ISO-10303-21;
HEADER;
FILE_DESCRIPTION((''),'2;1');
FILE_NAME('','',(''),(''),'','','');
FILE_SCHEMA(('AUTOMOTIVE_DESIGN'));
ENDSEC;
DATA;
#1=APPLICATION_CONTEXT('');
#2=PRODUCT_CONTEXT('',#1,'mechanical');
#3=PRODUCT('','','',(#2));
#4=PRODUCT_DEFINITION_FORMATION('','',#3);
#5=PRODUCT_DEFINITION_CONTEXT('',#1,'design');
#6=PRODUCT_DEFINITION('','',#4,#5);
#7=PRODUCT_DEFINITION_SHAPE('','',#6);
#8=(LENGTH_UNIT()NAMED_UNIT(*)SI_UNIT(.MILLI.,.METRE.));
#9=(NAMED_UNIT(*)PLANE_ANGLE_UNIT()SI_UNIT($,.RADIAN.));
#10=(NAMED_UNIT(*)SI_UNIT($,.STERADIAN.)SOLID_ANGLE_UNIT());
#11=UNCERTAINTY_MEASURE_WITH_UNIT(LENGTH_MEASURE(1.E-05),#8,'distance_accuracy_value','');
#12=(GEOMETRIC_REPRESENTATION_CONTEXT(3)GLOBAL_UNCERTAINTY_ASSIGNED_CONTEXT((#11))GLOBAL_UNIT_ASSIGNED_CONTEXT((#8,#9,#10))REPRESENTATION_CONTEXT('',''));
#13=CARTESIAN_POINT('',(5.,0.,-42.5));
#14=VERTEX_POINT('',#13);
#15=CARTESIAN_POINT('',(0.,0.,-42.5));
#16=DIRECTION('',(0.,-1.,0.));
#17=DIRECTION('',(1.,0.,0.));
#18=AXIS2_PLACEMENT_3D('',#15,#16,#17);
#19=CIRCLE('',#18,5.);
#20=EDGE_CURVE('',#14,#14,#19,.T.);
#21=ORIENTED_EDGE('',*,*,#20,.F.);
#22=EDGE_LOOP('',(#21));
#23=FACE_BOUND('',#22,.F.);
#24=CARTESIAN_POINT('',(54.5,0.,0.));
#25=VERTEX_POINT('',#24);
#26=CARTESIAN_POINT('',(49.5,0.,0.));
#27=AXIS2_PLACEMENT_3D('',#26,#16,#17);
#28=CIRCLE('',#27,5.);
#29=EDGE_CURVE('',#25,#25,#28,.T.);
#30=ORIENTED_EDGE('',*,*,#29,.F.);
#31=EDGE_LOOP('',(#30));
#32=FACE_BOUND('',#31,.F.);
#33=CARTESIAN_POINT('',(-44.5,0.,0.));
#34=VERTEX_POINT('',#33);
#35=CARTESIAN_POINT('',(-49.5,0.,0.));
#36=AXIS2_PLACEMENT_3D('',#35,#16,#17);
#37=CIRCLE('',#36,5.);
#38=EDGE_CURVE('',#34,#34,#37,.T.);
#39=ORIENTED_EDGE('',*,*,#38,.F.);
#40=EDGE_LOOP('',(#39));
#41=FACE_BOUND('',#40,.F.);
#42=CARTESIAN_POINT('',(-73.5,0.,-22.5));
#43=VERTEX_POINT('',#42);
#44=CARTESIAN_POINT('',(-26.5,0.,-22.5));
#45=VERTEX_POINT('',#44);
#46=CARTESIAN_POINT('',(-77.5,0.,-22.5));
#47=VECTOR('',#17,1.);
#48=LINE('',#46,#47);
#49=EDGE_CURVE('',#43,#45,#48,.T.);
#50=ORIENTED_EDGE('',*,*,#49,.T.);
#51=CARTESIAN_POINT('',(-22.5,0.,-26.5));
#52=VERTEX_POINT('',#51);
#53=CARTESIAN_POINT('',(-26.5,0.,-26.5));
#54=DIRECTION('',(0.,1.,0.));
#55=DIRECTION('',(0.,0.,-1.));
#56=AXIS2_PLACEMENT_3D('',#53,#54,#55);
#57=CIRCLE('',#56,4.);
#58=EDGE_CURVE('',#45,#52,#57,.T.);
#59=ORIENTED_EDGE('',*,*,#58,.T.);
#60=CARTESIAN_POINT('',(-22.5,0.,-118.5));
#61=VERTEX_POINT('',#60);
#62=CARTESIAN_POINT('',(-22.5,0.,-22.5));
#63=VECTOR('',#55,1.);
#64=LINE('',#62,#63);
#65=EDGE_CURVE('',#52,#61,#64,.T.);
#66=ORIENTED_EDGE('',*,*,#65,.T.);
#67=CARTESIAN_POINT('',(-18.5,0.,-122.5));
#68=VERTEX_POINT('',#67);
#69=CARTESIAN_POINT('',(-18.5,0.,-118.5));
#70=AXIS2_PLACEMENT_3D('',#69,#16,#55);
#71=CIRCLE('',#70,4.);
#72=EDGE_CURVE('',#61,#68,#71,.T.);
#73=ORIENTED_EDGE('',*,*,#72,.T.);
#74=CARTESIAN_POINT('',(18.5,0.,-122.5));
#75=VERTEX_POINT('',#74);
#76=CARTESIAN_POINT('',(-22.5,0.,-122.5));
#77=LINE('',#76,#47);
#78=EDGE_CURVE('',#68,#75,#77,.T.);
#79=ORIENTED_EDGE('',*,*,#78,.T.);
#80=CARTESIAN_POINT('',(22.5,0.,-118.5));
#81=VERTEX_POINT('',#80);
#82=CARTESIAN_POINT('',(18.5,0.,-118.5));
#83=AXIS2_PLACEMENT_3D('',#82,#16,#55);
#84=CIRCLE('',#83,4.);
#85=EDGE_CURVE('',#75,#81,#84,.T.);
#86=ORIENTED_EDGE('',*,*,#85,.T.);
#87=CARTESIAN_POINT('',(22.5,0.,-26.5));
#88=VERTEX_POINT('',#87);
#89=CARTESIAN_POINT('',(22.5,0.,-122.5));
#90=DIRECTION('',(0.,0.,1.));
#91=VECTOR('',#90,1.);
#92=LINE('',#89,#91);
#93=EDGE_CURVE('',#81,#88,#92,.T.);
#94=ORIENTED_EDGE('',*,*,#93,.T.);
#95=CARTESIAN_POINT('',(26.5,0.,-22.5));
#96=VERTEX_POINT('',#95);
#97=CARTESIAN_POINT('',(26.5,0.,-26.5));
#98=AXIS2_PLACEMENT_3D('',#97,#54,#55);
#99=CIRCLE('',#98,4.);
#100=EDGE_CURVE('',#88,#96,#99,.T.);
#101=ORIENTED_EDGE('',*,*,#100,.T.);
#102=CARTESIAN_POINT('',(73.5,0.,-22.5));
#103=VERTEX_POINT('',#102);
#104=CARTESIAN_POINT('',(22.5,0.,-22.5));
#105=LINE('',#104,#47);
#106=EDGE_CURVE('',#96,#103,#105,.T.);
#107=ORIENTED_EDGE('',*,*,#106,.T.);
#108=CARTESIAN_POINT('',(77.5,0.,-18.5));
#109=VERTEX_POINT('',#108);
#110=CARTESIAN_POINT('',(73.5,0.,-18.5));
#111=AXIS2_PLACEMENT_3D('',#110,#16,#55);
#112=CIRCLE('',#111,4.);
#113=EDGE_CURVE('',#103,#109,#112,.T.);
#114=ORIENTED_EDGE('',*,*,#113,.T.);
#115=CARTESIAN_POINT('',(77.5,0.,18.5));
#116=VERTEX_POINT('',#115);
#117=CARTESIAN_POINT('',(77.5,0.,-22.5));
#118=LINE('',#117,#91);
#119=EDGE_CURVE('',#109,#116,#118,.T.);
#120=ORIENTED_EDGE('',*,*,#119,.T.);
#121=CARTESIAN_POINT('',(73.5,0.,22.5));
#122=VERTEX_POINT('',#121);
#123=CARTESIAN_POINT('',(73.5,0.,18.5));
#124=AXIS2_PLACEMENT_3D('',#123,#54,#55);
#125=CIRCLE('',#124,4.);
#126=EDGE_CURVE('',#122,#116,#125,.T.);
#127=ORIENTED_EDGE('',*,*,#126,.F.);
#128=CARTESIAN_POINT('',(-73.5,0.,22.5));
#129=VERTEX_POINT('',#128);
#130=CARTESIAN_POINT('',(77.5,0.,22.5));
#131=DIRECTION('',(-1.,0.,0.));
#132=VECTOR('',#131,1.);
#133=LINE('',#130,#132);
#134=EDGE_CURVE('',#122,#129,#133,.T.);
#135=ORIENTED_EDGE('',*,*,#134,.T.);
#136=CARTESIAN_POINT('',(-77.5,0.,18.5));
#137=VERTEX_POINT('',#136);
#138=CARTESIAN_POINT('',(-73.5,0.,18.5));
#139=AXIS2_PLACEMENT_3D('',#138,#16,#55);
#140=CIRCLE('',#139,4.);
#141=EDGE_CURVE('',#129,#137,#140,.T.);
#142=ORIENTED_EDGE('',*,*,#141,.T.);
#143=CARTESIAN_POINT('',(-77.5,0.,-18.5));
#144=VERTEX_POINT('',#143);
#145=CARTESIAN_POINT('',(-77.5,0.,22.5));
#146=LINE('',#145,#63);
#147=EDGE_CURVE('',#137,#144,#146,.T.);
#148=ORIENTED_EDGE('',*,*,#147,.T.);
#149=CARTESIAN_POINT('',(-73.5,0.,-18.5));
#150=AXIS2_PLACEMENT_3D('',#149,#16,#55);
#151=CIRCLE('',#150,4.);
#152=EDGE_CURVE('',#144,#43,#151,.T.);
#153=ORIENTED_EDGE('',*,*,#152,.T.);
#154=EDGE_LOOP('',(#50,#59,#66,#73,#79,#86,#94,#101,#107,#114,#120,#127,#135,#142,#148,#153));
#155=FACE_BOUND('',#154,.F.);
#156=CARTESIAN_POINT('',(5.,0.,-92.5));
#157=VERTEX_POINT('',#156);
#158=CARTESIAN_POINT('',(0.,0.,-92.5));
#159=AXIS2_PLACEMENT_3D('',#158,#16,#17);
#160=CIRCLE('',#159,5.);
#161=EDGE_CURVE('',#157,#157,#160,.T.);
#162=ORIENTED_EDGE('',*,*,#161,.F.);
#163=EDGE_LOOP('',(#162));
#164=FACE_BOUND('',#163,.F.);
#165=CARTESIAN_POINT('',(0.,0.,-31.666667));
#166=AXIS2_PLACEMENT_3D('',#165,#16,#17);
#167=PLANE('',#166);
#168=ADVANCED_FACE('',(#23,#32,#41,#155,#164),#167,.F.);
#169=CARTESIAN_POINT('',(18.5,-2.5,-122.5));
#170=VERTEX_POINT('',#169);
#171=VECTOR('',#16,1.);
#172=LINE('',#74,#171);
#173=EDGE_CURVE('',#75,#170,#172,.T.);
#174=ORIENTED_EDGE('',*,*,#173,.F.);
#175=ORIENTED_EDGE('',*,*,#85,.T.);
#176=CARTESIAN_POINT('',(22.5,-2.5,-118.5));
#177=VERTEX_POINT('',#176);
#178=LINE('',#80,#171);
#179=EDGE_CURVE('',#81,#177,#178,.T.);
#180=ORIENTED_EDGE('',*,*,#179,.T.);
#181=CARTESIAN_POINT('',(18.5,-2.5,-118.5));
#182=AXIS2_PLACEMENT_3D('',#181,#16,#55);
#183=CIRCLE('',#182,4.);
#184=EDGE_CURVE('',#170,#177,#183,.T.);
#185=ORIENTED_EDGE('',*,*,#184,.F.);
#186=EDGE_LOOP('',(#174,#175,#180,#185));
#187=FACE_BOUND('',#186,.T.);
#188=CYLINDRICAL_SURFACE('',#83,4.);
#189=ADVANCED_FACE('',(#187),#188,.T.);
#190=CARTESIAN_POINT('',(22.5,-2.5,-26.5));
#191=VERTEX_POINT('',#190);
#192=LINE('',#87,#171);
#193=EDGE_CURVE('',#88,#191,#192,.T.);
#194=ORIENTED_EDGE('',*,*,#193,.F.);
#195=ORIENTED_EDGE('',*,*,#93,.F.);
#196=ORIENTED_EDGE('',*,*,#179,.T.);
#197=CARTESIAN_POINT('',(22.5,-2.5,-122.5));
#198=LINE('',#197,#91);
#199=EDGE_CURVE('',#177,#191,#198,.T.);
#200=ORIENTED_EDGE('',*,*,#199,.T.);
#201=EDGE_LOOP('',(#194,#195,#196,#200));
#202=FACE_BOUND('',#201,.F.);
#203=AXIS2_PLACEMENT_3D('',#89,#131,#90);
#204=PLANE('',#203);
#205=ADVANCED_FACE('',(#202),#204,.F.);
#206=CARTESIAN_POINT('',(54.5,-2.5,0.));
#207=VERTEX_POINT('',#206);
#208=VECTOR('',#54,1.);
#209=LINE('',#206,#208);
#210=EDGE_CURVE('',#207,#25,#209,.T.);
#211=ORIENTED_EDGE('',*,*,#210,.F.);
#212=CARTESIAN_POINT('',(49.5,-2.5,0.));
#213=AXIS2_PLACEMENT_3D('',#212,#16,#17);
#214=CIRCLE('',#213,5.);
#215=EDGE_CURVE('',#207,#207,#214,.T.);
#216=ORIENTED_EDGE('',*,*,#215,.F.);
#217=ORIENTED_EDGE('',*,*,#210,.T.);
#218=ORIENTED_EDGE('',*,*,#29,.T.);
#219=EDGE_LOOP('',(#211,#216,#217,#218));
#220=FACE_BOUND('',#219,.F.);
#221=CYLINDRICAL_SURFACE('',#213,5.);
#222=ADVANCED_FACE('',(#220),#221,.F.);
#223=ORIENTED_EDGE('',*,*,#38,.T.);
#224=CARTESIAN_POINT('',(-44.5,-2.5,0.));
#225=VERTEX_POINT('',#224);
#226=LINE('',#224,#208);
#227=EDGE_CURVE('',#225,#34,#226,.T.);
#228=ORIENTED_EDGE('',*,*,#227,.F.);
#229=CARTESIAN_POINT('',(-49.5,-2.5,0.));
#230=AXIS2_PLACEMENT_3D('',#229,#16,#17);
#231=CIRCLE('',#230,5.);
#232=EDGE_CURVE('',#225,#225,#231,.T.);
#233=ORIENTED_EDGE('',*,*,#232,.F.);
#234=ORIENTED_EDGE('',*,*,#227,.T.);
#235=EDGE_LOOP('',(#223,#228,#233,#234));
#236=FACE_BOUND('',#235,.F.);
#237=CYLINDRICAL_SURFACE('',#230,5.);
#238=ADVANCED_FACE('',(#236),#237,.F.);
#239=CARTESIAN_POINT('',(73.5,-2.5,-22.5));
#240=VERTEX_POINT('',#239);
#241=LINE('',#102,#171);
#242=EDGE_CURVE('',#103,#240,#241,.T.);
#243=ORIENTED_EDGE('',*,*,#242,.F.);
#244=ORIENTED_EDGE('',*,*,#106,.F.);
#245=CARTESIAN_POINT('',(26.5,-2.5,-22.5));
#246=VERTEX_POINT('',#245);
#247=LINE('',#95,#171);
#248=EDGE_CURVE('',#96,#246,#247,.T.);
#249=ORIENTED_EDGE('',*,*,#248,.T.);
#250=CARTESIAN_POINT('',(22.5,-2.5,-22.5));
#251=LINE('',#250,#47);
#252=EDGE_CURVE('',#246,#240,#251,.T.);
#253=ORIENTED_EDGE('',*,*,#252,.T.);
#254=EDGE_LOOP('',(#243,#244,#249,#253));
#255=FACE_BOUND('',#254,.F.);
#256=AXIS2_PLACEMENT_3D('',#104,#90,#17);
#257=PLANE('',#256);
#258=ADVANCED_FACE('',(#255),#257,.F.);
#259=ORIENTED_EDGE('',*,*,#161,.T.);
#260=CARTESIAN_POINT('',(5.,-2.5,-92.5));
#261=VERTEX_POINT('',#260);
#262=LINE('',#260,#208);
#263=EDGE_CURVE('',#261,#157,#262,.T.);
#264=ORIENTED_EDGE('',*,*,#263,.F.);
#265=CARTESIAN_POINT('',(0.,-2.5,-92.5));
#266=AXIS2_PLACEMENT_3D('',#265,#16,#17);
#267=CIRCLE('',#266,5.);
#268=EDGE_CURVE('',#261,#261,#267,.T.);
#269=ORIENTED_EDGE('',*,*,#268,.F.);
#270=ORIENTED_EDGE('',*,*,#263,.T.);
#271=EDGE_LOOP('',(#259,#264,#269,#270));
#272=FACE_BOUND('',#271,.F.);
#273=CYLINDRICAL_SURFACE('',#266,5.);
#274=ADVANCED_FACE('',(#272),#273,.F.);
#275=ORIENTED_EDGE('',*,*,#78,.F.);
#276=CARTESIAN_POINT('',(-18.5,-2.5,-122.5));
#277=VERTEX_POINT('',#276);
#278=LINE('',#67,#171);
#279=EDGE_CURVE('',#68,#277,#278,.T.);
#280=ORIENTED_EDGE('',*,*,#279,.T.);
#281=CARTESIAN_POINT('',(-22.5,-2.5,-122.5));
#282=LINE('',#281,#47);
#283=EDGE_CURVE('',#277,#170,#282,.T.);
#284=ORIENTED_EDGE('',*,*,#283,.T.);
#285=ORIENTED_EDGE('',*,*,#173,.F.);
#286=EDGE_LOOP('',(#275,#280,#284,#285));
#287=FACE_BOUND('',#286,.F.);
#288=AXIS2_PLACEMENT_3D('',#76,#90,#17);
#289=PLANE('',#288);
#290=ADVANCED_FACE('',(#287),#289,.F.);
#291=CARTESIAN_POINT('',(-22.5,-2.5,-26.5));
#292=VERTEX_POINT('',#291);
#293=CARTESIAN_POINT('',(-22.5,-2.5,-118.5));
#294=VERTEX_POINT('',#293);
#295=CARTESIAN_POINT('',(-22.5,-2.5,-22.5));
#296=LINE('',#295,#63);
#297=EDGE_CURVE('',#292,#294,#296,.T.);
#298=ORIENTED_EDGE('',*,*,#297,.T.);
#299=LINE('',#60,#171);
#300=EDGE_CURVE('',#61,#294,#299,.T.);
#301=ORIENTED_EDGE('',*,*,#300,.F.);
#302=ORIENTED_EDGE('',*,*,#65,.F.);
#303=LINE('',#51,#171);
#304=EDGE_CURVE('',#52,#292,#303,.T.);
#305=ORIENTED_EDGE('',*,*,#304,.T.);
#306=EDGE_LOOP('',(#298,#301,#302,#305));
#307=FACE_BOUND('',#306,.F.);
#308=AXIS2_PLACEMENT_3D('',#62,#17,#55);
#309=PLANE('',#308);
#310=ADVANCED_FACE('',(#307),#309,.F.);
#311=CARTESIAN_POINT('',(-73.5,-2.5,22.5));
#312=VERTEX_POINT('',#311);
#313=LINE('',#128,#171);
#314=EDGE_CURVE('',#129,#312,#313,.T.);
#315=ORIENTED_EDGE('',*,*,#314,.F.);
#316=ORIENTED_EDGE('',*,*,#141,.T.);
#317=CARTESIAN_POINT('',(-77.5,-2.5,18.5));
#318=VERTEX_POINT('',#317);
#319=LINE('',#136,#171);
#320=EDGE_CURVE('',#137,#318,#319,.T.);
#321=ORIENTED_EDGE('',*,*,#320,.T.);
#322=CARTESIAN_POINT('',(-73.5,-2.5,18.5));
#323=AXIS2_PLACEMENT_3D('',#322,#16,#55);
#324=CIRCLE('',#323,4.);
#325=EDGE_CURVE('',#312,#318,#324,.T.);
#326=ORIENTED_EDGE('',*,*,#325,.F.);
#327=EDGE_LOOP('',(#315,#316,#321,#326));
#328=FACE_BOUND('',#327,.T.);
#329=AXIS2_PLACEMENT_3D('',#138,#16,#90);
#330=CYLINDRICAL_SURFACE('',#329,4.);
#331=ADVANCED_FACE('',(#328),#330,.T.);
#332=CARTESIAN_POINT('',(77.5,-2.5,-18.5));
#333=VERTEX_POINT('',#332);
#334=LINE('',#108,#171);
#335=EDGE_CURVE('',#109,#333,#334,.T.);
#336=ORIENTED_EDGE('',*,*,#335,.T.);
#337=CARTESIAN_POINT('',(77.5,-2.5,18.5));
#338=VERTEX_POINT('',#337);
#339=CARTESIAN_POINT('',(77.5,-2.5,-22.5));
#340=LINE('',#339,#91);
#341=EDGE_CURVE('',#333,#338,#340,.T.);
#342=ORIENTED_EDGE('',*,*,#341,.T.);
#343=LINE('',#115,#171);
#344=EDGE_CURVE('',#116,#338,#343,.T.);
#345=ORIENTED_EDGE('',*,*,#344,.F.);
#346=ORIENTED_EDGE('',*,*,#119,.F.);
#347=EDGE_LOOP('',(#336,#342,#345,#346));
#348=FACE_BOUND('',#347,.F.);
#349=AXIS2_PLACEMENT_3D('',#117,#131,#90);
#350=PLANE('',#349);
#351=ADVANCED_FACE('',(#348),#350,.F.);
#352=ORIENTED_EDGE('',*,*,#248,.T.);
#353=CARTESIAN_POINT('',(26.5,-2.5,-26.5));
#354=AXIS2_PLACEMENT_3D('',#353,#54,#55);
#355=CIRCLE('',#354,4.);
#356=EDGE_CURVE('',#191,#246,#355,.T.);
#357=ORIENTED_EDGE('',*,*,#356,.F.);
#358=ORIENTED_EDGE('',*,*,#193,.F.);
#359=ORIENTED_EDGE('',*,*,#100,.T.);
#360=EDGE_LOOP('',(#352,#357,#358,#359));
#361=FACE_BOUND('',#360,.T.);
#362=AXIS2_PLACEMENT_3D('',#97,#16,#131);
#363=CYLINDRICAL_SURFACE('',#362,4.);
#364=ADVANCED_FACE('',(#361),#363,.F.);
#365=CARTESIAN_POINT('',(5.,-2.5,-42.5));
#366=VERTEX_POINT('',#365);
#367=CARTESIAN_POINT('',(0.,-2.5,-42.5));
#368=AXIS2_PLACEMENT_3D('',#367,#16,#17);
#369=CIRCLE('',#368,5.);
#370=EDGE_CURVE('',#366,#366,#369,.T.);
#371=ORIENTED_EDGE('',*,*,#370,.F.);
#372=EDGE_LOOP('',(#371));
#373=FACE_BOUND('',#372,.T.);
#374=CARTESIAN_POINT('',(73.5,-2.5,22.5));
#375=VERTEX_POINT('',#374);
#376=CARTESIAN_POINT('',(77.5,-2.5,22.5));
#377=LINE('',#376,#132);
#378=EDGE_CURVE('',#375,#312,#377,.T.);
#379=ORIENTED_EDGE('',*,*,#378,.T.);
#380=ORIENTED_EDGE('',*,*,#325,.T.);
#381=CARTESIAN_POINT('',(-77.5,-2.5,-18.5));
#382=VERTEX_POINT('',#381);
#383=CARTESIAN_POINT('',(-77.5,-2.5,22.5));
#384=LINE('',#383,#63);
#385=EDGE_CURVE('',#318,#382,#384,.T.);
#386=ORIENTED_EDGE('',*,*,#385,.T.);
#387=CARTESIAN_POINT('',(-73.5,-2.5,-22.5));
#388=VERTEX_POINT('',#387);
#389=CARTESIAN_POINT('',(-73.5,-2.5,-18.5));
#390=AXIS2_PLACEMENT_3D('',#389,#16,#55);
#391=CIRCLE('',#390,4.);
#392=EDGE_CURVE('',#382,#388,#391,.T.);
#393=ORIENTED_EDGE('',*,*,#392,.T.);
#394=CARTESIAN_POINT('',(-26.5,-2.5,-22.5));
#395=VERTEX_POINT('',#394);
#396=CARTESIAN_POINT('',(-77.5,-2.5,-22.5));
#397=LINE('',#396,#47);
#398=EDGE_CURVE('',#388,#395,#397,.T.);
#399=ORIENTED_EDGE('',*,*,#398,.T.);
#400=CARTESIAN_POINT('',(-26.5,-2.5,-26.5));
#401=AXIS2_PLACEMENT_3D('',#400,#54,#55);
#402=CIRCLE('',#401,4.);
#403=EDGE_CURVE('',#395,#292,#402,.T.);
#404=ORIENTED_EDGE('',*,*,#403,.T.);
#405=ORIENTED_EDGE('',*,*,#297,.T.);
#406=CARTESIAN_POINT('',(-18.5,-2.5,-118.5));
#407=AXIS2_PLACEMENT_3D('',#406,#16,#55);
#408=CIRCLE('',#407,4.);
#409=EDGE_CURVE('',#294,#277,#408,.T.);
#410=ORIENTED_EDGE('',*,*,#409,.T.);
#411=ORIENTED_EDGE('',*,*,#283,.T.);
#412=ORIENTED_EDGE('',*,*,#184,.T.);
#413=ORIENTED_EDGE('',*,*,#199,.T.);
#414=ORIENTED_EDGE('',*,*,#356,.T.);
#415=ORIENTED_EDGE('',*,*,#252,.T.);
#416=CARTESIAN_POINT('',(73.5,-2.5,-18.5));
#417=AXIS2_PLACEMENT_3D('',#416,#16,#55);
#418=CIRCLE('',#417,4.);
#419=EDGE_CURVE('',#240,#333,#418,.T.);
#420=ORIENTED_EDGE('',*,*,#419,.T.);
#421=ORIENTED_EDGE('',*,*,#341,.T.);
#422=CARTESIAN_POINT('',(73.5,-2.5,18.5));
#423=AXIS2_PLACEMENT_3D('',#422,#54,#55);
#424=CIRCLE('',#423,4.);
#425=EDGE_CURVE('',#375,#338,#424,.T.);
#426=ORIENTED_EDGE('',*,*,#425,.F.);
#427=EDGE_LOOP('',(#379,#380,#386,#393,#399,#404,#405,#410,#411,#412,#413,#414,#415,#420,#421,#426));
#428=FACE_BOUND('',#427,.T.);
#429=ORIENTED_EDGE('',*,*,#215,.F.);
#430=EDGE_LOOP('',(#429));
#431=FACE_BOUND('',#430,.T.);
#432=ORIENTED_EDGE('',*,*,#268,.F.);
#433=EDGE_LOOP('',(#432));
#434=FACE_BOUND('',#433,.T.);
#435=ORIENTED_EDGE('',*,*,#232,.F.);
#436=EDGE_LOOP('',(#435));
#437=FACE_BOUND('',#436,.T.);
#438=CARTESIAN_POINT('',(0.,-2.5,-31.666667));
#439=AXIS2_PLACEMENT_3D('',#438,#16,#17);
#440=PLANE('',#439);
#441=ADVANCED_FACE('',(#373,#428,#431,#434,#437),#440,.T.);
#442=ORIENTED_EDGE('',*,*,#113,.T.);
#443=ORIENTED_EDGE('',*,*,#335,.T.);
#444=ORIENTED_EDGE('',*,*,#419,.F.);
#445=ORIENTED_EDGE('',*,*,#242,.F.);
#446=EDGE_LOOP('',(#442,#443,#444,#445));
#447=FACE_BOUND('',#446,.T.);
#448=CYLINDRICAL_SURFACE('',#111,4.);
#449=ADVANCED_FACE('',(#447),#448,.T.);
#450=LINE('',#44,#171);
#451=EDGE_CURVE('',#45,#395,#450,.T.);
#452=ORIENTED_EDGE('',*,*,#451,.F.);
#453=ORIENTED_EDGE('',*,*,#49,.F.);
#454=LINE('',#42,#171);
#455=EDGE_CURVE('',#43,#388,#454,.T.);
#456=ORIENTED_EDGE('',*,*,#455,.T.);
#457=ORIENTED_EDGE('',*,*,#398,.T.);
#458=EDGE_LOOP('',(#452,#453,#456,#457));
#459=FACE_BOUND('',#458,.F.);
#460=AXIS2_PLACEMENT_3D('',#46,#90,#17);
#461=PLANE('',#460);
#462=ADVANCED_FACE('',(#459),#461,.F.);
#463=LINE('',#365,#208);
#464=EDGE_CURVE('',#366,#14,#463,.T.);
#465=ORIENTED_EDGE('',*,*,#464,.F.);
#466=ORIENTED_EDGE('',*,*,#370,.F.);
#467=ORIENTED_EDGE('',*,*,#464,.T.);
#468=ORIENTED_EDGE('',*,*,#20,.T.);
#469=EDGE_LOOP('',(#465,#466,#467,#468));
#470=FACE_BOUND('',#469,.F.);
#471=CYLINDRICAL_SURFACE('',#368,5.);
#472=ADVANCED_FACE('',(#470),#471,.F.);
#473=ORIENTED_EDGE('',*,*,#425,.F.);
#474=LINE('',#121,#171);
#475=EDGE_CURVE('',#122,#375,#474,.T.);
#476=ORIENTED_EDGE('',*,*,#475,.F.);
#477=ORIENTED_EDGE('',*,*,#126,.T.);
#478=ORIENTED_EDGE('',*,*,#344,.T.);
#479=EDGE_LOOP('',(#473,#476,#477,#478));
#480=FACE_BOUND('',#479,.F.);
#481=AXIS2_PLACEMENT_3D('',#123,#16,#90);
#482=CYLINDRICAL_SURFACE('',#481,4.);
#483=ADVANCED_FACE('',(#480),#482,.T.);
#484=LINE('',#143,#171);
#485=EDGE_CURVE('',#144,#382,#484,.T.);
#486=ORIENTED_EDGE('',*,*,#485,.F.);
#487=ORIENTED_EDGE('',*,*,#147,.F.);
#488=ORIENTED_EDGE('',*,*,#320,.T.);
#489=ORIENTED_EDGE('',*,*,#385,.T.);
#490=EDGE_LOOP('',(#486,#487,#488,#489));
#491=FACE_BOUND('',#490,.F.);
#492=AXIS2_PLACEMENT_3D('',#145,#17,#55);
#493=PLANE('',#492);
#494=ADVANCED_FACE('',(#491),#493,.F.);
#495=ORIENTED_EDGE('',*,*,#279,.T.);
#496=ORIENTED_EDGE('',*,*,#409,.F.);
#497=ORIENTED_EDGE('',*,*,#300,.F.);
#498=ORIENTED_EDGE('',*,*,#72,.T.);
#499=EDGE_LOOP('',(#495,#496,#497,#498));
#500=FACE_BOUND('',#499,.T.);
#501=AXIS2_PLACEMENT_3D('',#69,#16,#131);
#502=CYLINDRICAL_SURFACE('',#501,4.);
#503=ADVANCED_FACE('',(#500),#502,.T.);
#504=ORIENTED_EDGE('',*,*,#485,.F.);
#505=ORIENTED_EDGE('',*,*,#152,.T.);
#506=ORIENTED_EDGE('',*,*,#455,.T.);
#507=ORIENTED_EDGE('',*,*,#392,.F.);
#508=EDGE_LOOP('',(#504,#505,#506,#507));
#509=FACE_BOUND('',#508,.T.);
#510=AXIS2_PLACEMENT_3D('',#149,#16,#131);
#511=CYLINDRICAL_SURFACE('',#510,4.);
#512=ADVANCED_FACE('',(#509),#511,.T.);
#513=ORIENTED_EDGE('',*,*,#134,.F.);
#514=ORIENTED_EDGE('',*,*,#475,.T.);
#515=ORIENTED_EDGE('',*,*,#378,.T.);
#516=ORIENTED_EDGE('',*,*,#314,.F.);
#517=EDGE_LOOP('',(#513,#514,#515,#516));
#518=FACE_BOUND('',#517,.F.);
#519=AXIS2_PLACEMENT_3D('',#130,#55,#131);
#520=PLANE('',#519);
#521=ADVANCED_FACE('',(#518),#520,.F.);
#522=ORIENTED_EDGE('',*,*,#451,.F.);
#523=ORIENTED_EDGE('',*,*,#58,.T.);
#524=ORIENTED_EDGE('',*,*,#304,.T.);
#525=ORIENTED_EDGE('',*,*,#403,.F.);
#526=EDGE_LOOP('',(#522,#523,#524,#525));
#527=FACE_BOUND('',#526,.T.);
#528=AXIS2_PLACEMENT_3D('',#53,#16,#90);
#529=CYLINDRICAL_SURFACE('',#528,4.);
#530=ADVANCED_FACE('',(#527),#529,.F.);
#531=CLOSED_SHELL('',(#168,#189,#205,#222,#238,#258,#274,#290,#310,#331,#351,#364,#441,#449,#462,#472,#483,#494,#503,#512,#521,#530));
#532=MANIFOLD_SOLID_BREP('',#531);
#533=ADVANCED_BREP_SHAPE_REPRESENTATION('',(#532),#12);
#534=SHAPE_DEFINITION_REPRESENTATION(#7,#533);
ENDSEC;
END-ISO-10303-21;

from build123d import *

# Parameters (mm, degrees)
F1_DEPTH = 2.5
F2_R     = 4
F3_R     = 5
F4_DEPTH = 2.501
F5_R     = 5
F6_DEPTH = 2.501


with BuildPart() as f1:
    # F0 (on Front) → F1 (new body)
    with BuildSketch(Plane.XZ):
        Polygon((77.5, 22.5), (-77.5, 22.5), (-77.5, -22.5), (-22.5, -22.5), (-22.5, -122.5), (22.5, -122.5), (22.5, -22.5), (77.5, -22.5), align=None)
    extrude(amount=F1_DEPTH)

    # F2
    f2_edges = [f1.edges().sort_by_distance(p)[0] for p in [
        (-77.5, -1.25, 22.5),
        (-77.5, -1.25, -22.5),
        (77.5, -1.25, 22.5),
        (77.5, -1.25, -22.5),
        (22.5, -1.25, -122.5),
        (-22.5, -1.25, -122.5),
        (22.5, -1.25, -22.5),
        (-22.5, -1.25, -22.5),
    ]]
    fillet(f2_edges, radius=F2_R)

    # F3 (on face) → F4 (cut, through all)
    with BuildSketch(Plane.XZ.offset(2.5)):
        with Locations((49.5, 0)):
            Circle(F3_R)
        with Locations((-49.5, 0)):
            Circle(F3_R)
        with Locations((0, -92.5)):
            Circle(F3_R)
    extrude(amount=-F4_DEPTH, mode=Mode.SUBTRACT)

    # F5 (on face) → F6 (cut, through all)
    with BuildSketch(Plane.XZ.offset(2.5)):
        with Locations((0, -42.5)):
            Circle(F5_R)
    extrude(amount=-F6_DEPTH, mode=Mode.SUBTRACT)


solid = f1.part
